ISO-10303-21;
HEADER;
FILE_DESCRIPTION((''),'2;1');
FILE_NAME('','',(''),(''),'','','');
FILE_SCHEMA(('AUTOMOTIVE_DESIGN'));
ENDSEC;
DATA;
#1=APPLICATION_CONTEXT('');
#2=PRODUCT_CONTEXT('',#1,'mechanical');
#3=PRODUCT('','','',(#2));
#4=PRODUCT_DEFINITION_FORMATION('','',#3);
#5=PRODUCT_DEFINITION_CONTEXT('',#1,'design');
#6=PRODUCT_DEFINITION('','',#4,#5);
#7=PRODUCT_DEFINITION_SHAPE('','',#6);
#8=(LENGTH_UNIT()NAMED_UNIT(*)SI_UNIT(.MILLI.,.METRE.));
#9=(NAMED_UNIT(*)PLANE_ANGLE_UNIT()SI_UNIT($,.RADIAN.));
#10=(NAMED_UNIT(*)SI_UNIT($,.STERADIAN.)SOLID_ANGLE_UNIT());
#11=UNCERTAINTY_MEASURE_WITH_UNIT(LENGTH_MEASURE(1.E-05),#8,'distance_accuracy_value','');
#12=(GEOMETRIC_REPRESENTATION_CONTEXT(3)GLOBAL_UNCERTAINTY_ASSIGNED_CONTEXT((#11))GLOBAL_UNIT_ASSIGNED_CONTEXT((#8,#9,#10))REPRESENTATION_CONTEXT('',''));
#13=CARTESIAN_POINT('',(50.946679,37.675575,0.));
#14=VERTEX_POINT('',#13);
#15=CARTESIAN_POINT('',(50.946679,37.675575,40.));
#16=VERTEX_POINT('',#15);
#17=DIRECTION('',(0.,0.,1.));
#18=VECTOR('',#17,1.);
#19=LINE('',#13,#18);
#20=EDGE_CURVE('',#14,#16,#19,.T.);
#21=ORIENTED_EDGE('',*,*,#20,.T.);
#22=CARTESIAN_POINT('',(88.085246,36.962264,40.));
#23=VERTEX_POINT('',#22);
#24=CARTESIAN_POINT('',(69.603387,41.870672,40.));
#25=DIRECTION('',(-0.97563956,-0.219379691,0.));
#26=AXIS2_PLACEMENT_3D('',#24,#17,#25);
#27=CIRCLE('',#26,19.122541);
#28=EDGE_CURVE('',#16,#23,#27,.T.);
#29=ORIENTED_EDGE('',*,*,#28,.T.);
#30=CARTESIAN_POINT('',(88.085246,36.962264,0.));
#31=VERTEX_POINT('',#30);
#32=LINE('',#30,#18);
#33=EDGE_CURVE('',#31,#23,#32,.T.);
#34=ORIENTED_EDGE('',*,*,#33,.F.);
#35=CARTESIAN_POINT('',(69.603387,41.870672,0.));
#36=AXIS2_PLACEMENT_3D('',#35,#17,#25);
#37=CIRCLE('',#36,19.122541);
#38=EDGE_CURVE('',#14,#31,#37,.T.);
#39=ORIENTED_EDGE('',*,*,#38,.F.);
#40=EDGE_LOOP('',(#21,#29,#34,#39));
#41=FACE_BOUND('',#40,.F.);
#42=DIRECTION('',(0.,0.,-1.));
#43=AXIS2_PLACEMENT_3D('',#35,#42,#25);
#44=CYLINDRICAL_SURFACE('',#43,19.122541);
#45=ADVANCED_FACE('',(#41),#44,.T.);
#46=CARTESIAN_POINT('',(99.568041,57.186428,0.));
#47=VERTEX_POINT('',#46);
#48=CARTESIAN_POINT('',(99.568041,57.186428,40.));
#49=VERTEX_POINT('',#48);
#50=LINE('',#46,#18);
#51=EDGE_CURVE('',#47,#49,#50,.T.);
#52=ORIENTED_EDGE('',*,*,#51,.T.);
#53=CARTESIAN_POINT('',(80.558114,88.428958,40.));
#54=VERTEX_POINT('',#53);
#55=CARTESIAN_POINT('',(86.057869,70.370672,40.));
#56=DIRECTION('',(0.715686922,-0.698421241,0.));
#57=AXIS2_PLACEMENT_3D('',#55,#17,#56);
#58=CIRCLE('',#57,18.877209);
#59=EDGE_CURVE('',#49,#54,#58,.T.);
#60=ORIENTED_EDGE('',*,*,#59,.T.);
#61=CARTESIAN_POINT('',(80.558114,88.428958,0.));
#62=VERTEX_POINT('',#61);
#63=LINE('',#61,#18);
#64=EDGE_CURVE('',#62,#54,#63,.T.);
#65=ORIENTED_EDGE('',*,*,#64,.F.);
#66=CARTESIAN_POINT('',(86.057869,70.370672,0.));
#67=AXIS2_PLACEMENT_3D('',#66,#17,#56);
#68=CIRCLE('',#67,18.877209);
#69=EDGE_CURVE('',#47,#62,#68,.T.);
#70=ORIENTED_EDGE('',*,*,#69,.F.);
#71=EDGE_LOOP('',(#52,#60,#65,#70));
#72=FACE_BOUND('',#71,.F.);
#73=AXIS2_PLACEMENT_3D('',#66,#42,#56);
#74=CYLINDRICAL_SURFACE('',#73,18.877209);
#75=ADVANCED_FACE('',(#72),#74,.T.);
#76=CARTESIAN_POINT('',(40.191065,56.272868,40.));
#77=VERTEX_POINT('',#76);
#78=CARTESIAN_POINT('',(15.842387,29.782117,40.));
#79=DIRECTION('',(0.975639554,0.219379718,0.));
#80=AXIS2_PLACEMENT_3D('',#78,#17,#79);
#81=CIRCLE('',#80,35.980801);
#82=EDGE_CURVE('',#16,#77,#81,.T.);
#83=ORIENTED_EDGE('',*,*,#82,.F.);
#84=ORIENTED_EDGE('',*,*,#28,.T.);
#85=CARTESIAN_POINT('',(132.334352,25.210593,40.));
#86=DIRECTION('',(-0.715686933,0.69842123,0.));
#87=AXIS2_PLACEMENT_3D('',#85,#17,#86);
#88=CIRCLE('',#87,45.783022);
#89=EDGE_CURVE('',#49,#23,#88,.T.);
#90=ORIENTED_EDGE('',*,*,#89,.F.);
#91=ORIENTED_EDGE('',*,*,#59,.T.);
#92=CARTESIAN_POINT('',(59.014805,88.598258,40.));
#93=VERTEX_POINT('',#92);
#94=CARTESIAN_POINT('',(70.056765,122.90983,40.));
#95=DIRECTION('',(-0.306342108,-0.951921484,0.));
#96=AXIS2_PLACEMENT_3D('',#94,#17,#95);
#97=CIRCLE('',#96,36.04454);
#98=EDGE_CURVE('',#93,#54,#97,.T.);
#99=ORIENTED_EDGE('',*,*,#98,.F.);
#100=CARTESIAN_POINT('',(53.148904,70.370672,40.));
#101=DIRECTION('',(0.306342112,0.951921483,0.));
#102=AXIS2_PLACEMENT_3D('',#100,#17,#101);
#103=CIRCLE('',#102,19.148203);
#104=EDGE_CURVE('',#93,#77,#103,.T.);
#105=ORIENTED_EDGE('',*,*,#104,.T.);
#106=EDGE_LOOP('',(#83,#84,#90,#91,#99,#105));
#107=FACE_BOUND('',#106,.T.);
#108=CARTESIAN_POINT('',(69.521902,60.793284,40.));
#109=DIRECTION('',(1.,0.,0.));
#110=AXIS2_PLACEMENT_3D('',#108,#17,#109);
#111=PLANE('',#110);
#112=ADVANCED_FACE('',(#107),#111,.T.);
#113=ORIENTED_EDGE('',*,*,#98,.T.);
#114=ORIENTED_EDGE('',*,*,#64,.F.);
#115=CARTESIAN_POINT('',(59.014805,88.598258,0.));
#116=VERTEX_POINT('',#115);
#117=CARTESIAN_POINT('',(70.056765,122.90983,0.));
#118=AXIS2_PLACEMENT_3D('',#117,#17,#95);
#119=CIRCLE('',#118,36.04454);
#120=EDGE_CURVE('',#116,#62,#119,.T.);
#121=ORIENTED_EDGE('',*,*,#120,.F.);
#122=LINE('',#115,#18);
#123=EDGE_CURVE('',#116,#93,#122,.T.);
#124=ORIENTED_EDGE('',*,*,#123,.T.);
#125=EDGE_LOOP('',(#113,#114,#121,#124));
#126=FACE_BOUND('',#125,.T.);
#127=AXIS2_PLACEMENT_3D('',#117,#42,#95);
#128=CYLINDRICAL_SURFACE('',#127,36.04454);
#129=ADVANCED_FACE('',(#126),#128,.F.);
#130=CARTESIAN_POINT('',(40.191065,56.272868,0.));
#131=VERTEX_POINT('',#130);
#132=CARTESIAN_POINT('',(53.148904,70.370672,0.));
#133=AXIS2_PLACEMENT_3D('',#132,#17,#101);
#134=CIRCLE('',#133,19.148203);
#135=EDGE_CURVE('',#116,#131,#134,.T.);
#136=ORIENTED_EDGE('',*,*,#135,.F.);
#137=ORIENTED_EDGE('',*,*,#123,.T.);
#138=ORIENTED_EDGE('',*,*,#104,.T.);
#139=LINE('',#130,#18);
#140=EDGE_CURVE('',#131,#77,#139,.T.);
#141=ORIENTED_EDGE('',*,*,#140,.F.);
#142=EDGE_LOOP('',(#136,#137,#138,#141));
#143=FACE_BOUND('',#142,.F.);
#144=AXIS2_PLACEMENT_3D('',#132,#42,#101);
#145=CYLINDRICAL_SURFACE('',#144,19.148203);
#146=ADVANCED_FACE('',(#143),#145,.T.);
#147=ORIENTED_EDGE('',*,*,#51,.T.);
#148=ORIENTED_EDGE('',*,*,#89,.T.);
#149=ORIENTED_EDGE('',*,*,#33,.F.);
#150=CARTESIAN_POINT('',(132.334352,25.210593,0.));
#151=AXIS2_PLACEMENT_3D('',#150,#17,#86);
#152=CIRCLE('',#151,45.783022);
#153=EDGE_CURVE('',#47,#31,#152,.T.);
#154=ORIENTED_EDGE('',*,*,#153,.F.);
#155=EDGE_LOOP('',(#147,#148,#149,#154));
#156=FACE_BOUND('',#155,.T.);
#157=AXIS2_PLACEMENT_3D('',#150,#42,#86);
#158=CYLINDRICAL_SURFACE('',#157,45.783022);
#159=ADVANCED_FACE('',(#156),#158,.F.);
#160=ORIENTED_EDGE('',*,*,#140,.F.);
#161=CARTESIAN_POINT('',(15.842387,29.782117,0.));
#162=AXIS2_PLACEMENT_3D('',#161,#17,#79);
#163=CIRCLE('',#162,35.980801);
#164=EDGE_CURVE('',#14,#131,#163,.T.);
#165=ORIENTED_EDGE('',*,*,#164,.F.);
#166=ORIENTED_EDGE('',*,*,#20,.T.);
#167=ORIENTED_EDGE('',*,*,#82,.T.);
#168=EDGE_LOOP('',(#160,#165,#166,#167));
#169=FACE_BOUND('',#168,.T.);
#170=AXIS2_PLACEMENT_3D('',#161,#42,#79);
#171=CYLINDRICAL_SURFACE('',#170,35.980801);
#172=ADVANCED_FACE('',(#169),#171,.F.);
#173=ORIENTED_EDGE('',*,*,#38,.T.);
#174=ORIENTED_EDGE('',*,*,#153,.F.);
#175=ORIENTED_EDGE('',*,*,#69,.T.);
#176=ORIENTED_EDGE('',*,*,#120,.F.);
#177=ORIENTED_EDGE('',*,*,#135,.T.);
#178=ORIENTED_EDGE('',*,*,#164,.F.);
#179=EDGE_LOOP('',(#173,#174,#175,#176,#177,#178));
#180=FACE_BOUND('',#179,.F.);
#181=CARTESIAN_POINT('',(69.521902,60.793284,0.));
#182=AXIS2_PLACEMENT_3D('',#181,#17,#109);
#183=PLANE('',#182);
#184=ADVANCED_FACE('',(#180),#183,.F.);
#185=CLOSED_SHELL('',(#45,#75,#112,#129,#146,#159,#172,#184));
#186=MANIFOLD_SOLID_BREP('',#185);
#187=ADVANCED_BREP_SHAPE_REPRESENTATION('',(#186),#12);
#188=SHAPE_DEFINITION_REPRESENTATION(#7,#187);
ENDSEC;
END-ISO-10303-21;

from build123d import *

# Parameters (mm, degrees)
PAD_DEPTH = 40


with BuildPart() as part:
    # Sketch → Pad (new body)
    with BuildSketch(Plane.XY):
        with BuildLine():
            ThreePointArc((99.568041, 57.186428), (102.184419, 80.183083), (80.558114, 88.428958))
            ThreePointArc((59.014805, 88.598258), (69.773515, 86.866403), (80.558114, 88.428958))
            ThreePointArc((59.014805, 88.598258), (36.601801, 80.00639), (40.191065, 56.272868))
            ThreePointArc((50.946679, 37.675575), (46.989277, 47.795702), (40.191065, 56.272868))
            ThreePointArc((50.946679, 37.675575), (69.236173, 22.751657), (88.085246, 36.962264))
            ThreePointArc((99.568041, 57.186428), (92.521065, 47.815622), (88.085246, 36.962264))
        make_face()
    extrude(amount=PAD_DEPTH)


solid = part.part
